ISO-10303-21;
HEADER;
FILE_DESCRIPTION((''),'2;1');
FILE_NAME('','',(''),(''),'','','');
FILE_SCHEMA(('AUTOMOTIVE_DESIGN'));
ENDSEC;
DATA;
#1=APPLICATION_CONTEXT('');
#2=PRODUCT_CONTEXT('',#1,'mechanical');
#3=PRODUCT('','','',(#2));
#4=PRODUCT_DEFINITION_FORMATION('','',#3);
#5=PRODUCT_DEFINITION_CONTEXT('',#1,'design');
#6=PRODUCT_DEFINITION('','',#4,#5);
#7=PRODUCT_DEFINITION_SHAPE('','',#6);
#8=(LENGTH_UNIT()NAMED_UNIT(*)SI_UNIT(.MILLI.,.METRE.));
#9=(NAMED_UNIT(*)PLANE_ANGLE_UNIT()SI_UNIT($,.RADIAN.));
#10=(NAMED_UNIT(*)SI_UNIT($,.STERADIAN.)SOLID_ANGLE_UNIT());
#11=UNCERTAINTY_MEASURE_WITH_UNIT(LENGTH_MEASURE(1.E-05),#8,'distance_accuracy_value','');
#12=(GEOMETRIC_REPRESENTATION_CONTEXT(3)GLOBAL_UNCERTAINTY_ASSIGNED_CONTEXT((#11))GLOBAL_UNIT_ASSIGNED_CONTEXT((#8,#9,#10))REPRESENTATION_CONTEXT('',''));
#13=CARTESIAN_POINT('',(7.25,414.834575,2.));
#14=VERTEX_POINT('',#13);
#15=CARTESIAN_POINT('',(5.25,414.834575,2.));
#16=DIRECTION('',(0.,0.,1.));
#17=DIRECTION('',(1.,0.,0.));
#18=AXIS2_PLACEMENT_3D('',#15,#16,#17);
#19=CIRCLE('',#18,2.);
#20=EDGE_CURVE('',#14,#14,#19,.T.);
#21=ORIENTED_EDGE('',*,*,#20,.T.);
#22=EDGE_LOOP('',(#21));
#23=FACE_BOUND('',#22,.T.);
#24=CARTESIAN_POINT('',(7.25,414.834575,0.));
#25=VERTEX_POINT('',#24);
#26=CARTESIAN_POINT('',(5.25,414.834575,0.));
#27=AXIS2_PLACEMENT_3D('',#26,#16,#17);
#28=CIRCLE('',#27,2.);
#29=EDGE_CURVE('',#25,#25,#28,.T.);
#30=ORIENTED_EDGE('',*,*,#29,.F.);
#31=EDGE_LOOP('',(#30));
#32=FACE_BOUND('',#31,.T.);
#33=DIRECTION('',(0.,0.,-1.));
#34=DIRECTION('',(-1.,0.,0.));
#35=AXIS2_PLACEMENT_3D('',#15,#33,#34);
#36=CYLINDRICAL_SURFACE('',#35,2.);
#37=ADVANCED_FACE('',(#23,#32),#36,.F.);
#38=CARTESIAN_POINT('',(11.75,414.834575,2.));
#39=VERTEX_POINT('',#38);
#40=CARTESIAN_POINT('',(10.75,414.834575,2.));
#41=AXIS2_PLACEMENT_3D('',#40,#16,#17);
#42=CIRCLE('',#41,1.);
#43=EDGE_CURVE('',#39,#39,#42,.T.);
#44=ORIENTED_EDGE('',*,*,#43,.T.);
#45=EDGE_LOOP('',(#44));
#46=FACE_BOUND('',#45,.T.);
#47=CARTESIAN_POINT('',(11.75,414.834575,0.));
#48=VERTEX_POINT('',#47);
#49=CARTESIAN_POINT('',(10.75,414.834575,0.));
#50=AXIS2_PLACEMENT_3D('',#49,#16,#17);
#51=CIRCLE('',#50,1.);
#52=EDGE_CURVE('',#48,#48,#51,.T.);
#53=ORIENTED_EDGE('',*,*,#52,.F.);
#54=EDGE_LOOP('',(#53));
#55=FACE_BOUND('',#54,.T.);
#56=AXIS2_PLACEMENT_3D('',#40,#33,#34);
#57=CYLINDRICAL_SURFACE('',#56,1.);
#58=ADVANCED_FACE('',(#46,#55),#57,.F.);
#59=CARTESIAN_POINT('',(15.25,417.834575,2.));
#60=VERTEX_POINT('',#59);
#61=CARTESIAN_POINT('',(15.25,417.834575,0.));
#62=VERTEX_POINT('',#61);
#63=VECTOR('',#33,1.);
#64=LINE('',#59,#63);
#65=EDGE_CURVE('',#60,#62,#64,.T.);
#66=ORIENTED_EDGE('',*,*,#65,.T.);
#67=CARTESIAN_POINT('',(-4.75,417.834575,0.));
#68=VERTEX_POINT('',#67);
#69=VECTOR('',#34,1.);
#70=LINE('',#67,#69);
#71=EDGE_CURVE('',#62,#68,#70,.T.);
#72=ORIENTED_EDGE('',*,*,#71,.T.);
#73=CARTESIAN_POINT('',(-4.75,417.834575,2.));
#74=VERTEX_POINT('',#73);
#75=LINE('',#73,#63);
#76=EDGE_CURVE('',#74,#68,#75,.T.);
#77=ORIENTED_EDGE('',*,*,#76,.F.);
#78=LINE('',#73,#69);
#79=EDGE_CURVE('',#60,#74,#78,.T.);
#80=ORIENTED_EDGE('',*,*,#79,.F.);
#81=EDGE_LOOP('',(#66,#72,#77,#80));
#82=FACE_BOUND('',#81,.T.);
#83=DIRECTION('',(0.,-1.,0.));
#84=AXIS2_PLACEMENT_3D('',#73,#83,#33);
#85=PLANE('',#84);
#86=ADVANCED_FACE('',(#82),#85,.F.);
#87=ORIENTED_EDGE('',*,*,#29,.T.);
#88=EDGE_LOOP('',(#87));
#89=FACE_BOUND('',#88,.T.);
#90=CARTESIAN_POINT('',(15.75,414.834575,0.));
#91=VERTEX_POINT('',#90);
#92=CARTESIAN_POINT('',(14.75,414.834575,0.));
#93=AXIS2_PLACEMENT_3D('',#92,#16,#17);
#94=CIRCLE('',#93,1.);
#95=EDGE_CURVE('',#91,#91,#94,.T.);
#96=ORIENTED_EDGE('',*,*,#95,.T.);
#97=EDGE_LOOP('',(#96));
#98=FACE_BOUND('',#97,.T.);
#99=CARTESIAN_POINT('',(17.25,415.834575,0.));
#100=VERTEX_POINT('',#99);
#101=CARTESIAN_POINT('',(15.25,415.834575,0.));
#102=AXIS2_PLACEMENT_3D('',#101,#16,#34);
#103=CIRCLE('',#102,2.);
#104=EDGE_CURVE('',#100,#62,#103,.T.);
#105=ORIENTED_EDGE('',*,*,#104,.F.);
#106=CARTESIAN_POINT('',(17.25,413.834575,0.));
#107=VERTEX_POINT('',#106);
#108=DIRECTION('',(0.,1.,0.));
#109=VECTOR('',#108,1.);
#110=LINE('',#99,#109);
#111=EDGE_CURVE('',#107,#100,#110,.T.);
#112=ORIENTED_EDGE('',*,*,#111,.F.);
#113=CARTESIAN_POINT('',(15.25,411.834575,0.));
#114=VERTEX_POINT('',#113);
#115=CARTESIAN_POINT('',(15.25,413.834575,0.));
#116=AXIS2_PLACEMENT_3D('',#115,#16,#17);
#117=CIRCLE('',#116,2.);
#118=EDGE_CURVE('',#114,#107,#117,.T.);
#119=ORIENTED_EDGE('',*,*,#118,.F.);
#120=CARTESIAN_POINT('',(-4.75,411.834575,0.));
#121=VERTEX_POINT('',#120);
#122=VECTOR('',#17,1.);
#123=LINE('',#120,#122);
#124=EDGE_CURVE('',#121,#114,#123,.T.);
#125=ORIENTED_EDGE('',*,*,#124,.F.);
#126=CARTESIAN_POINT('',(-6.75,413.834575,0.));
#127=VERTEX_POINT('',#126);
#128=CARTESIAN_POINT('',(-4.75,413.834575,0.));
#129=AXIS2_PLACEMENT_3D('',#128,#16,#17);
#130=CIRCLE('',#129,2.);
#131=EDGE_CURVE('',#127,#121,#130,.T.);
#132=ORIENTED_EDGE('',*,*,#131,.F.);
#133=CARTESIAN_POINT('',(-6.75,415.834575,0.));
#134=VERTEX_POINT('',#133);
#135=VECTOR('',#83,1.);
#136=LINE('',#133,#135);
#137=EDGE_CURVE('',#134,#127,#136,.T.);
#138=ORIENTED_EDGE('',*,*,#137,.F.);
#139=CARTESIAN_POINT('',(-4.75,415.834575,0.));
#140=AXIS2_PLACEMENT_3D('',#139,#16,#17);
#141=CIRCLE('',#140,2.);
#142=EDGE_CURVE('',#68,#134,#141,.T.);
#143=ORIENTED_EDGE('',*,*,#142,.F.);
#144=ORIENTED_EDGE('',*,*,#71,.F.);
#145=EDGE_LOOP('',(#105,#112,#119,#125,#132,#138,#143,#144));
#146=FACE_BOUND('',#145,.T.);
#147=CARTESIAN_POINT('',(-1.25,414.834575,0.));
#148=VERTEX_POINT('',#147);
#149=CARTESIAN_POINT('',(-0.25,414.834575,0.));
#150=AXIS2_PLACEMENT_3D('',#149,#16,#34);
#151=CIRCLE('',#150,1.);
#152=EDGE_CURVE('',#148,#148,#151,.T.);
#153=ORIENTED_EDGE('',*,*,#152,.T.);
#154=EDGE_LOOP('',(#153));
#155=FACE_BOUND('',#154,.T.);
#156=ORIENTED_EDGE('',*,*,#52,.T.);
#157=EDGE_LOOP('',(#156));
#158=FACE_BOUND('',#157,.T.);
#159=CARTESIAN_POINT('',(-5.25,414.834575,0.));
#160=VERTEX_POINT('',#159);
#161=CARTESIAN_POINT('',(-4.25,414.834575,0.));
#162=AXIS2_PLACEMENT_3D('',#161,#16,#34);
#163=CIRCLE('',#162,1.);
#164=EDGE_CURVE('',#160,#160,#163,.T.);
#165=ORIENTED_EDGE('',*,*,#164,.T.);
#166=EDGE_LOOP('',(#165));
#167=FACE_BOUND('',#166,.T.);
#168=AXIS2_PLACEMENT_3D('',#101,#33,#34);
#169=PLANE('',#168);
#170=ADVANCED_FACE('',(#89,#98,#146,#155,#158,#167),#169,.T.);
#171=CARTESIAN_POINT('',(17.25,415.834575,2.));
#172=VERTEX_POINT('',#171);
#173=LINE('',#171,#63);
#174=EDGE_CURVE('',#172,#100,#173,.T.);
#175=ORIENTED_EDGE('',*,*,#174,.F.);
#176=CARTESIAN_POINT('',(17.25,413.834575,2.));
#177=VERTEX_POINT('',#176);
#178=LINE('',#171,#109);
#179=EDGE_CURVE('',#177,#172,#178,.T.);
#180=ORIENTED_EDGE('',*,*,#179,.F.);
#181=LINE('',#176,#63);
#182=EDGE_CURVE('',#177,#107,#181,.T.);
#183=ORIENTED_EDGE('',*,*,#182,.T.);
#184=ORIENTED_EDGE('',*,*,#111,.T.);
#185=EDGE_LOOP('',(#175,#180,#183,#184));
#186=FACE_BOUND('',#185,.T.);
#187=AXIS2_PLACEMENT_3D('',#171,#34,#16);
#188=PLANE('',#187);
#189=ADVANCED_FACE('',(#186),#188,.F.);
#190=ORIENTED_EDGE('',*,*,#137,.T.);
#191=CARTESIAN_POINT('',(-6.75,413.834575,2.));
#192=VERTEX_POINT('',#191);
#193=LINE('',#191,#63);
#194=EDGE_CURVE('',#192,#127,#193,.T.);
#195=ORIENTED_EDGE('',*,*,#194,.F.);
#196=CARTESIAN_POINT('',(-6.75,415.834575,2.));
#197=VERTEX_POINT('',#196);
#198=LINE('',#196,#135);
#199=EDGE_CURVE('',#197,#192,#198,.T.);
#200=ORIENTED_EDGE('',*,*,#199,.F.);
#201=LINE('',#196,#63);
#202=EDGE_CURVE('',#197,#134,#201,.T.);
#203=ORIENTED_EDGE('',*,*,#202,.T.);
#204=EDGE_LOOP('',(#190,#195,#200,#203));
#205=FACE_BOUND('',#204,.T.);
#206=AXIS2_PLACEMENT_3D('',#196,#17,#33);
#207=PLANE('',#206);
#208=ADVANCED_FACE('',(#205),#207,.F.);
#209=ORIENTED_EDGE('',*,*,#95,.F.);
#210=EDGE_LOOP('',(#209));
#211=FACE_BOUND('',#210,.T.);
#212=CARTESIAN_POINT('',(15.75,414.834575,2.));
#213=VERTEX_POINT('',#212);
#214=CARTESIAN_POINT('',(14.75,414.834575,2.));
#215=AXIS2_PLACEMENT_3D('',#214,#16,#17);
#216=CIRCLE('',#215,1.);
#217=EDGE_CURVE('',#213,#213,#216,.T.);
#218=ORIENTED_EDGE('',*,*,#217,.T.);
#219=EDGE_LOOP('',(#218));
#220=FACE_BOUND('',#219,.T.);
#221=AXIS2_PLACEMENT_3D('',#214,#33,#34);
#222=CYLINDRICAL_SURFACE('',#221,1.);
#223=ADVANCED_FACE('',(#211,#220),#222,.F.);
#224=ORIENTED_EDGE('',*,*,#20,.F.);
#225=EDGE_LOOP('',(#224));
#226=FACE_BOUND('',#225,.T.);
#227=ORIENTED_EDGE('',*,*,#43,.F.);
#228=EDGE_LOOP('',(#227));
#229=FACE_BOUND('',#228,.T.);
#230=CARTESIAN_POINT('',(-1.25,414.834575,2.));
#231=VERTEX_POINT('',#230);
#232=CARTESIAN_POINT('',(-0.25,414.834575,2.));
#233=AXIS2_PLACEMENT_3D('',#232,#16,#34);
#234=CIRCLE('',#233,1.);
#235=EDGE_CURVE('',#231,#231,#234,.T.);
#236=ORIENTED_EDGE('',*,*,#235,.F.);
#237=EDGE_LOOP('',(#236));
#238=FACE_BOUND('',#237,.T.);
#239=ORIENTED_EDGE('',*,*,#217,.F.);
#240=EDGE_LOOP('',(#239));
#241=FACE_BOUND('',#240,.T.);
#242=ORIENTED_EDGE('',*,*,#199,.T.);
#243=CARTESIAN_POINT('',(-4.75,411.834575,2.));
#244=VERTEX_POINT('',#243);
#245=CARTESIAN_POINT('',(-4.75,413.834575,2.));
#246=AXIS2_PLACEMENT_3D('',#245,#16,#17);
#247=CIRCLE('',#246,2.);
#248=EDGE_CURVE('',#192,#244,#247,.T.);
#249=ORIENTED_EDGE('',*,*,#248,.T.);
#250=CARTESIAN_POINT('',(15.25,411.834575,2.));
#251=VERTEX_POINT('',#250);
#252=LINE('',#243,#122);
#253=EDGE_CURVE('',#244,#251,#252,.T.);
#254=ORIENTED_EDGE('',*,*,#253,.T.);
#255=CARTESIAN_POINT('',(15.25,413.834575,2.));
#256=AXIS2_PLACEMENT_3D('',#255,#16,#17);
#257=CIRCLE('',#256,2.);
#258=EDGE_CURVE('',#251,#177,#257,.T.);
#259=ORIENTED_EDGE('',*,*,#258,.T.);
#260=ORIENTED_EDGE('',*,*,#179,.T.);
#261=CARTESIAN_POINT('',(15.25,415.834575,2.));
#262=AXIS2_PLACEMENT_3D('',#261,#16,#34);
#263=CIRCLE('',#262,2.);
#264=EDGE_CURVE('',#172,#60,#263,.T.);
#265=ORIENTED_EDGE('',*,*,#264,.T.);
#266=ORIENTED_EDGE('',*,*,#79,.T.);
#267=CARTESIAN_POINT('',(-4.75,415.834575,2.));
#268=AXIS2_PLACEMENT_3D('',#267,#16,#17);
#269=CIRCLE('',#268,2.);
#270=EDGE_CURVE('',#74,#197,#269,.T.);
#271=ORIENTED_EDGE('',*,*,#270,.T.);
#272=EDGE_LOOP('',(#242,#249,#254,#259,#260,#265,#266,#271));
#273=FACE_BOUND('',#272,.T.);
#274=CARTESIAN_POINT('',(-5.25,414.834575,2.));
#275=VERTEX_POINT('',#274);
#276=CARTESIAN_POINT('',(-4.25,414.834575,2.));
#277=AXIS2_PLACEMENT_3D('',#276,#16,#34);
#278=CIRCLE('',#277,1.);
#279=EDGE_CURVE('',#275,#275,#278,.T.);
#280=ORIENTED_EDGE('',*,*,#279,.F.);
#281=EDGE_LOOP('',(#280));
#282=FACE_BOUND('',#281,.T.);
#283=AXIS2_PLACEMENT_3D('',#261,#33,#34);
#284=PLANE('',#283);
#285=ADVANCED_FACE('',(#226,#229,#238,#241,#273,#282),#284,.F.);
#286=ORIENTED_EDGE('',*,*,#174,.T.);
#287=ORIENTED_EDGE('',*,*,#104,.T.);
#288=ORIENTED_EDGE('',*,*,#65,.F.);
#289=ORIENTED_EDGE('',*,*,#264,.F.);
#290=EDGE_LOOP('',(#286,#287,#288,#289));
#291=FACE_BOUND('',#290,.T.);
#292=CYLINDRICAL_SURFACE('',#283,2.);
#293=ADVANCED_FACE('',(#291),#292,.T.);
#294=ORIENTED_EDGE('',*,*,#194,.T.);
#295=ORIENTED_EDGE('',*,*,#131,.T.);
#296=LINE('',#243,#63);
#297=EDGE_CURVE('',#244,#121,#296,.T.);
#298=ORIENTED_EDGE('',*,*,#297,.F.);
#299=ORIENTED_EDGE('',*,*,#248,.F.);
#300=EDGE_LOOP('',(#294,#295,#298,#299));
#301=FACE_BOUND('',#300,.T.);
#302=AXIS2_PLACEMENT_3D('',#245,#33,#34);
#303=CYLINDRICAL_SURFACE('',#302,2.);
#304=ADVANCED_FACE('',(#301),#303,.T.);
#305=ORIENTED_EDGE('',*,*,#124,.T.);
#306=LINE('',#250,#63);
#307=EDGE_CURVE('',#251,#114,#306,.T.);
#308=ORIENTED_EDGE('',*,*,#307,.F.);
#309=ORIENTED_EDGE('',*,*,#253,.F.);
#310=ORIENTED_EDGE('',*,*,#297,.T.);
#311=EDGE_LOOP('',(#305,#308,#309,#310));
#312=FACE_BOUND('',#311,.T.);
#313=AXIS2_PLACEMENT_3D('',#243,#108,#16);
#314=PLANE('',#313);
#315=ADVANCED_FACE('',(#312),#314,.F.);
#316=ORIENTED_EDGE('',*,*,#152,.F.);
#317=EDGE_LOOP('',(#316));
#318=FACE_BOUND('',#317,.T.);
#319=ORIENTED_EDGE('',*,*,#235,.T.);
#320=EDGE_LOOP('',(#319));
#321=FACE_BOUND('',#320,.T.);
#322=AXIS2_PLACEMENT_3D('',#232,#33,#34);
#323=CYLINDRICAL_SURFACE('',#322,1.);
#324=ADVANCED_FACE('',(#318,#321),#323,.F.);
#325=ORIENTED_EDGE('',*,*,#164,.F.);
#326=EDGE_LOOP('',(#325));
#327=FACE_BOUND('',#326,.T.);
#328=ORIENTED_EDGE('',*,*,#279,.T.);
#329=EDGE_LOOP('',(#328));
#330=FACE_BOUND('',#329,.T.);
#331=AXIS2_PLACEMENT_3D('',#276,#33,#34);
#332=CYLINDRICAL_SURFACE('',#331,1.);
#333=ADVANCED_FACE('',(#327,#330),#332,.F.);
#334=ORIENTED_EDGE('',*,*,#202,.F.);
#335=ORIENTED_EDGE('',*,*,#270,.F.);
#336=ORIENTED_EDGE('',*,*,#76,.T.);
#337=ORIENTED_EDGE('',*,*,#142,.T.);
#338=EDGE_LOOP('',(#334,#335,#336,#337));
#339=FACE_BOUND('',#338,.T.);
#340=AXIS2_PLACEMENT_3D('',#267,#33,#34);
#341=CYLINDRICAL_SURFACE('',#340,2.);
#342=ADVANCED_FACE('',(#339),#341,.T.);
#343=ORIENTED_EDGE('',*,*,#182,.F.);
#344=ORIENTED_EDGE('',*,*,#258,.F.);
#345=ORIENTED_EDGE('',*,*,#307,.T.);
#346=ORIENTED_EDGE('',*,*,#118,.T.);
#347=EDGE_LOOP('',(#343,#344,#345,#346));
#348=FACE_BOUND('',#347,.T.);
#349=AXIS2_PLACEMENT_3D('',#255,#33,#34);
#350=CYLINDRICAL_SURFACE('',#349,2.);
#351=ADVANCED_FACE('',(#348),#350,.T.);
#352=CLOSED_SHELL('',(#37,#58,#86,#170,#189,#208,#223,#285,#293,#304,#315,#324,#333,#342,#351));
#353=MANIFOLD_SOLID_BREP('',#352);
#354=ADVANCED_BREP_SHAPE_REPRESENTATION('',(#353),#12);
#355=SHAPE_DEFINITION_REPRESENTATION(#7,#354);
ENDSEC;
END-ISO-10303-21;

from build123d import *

# Parameters (mm, degrees)
SKETCH1_R           = 2
SKETCH1_R_2         = 1
BOSS_EXTRUDE1_DEPTH = 2


with BuildPart() as part:
    # Sketch1 → Boss-Extrude1 (new body)
    with BuildSketch(Plane.XY):
        with BuildLine():
            Line((-4.75, 417.834574893), (15.25, 417.834574893))
            ThreePointArc((15.25, 417.834574893), (16.664213562, 417.248788455), (17.25, 415.834574893))
            Line((17.25, 415.834574893), (17.25, 413.834574893))
            ThreePointArc((17.25, 413.834574893), (16.664213562, 412.420361331), (15.25, 411.834574893))
            Line((15.25, 411.834574893), (-4.75, 411.834574893))
            ThreePointArc((-4.75, 411.834574893), (-6.164213562, 412.420361331), (-6.75, 413.834574893))
            Line((-6.75, 413.834574893), (-6.75, 415.834574893))
            ThreePointArc((-6.75, 415.834574893), (-6.164213562, 417.248788455), (-4.75, 417.834574893))
        make_face()
        with Locations((5.25, 414.834574893)):
            Circle(SKETCH1_R, mode=Mode.SUBTRACT)
        with Locations((10.75, 414.834574893)):
            Circle(SKETCH1_R_2, mode=Mode.SUBTRACT)
        with Locations((14.75, 414.834574893)):
            Circle(SKETCH1_R_2, mode=Mode.SUBTRACT)
        with Locations(Location((-0.25, 414.834574893, 0), (0, 0, 180))):
            Circle(SKETCH1_R_2, mode=Mode.SUBTRACT)
        with Locations(Location((-4.25, 414.834574893, 0), (0, 0, 180))):
            Circle(SKETCH1_R_2, mode=Mode.SUBTRACT)
    extrude(amount=BOSS_EXTRUDE1_DEPTH)


solid = part.part
